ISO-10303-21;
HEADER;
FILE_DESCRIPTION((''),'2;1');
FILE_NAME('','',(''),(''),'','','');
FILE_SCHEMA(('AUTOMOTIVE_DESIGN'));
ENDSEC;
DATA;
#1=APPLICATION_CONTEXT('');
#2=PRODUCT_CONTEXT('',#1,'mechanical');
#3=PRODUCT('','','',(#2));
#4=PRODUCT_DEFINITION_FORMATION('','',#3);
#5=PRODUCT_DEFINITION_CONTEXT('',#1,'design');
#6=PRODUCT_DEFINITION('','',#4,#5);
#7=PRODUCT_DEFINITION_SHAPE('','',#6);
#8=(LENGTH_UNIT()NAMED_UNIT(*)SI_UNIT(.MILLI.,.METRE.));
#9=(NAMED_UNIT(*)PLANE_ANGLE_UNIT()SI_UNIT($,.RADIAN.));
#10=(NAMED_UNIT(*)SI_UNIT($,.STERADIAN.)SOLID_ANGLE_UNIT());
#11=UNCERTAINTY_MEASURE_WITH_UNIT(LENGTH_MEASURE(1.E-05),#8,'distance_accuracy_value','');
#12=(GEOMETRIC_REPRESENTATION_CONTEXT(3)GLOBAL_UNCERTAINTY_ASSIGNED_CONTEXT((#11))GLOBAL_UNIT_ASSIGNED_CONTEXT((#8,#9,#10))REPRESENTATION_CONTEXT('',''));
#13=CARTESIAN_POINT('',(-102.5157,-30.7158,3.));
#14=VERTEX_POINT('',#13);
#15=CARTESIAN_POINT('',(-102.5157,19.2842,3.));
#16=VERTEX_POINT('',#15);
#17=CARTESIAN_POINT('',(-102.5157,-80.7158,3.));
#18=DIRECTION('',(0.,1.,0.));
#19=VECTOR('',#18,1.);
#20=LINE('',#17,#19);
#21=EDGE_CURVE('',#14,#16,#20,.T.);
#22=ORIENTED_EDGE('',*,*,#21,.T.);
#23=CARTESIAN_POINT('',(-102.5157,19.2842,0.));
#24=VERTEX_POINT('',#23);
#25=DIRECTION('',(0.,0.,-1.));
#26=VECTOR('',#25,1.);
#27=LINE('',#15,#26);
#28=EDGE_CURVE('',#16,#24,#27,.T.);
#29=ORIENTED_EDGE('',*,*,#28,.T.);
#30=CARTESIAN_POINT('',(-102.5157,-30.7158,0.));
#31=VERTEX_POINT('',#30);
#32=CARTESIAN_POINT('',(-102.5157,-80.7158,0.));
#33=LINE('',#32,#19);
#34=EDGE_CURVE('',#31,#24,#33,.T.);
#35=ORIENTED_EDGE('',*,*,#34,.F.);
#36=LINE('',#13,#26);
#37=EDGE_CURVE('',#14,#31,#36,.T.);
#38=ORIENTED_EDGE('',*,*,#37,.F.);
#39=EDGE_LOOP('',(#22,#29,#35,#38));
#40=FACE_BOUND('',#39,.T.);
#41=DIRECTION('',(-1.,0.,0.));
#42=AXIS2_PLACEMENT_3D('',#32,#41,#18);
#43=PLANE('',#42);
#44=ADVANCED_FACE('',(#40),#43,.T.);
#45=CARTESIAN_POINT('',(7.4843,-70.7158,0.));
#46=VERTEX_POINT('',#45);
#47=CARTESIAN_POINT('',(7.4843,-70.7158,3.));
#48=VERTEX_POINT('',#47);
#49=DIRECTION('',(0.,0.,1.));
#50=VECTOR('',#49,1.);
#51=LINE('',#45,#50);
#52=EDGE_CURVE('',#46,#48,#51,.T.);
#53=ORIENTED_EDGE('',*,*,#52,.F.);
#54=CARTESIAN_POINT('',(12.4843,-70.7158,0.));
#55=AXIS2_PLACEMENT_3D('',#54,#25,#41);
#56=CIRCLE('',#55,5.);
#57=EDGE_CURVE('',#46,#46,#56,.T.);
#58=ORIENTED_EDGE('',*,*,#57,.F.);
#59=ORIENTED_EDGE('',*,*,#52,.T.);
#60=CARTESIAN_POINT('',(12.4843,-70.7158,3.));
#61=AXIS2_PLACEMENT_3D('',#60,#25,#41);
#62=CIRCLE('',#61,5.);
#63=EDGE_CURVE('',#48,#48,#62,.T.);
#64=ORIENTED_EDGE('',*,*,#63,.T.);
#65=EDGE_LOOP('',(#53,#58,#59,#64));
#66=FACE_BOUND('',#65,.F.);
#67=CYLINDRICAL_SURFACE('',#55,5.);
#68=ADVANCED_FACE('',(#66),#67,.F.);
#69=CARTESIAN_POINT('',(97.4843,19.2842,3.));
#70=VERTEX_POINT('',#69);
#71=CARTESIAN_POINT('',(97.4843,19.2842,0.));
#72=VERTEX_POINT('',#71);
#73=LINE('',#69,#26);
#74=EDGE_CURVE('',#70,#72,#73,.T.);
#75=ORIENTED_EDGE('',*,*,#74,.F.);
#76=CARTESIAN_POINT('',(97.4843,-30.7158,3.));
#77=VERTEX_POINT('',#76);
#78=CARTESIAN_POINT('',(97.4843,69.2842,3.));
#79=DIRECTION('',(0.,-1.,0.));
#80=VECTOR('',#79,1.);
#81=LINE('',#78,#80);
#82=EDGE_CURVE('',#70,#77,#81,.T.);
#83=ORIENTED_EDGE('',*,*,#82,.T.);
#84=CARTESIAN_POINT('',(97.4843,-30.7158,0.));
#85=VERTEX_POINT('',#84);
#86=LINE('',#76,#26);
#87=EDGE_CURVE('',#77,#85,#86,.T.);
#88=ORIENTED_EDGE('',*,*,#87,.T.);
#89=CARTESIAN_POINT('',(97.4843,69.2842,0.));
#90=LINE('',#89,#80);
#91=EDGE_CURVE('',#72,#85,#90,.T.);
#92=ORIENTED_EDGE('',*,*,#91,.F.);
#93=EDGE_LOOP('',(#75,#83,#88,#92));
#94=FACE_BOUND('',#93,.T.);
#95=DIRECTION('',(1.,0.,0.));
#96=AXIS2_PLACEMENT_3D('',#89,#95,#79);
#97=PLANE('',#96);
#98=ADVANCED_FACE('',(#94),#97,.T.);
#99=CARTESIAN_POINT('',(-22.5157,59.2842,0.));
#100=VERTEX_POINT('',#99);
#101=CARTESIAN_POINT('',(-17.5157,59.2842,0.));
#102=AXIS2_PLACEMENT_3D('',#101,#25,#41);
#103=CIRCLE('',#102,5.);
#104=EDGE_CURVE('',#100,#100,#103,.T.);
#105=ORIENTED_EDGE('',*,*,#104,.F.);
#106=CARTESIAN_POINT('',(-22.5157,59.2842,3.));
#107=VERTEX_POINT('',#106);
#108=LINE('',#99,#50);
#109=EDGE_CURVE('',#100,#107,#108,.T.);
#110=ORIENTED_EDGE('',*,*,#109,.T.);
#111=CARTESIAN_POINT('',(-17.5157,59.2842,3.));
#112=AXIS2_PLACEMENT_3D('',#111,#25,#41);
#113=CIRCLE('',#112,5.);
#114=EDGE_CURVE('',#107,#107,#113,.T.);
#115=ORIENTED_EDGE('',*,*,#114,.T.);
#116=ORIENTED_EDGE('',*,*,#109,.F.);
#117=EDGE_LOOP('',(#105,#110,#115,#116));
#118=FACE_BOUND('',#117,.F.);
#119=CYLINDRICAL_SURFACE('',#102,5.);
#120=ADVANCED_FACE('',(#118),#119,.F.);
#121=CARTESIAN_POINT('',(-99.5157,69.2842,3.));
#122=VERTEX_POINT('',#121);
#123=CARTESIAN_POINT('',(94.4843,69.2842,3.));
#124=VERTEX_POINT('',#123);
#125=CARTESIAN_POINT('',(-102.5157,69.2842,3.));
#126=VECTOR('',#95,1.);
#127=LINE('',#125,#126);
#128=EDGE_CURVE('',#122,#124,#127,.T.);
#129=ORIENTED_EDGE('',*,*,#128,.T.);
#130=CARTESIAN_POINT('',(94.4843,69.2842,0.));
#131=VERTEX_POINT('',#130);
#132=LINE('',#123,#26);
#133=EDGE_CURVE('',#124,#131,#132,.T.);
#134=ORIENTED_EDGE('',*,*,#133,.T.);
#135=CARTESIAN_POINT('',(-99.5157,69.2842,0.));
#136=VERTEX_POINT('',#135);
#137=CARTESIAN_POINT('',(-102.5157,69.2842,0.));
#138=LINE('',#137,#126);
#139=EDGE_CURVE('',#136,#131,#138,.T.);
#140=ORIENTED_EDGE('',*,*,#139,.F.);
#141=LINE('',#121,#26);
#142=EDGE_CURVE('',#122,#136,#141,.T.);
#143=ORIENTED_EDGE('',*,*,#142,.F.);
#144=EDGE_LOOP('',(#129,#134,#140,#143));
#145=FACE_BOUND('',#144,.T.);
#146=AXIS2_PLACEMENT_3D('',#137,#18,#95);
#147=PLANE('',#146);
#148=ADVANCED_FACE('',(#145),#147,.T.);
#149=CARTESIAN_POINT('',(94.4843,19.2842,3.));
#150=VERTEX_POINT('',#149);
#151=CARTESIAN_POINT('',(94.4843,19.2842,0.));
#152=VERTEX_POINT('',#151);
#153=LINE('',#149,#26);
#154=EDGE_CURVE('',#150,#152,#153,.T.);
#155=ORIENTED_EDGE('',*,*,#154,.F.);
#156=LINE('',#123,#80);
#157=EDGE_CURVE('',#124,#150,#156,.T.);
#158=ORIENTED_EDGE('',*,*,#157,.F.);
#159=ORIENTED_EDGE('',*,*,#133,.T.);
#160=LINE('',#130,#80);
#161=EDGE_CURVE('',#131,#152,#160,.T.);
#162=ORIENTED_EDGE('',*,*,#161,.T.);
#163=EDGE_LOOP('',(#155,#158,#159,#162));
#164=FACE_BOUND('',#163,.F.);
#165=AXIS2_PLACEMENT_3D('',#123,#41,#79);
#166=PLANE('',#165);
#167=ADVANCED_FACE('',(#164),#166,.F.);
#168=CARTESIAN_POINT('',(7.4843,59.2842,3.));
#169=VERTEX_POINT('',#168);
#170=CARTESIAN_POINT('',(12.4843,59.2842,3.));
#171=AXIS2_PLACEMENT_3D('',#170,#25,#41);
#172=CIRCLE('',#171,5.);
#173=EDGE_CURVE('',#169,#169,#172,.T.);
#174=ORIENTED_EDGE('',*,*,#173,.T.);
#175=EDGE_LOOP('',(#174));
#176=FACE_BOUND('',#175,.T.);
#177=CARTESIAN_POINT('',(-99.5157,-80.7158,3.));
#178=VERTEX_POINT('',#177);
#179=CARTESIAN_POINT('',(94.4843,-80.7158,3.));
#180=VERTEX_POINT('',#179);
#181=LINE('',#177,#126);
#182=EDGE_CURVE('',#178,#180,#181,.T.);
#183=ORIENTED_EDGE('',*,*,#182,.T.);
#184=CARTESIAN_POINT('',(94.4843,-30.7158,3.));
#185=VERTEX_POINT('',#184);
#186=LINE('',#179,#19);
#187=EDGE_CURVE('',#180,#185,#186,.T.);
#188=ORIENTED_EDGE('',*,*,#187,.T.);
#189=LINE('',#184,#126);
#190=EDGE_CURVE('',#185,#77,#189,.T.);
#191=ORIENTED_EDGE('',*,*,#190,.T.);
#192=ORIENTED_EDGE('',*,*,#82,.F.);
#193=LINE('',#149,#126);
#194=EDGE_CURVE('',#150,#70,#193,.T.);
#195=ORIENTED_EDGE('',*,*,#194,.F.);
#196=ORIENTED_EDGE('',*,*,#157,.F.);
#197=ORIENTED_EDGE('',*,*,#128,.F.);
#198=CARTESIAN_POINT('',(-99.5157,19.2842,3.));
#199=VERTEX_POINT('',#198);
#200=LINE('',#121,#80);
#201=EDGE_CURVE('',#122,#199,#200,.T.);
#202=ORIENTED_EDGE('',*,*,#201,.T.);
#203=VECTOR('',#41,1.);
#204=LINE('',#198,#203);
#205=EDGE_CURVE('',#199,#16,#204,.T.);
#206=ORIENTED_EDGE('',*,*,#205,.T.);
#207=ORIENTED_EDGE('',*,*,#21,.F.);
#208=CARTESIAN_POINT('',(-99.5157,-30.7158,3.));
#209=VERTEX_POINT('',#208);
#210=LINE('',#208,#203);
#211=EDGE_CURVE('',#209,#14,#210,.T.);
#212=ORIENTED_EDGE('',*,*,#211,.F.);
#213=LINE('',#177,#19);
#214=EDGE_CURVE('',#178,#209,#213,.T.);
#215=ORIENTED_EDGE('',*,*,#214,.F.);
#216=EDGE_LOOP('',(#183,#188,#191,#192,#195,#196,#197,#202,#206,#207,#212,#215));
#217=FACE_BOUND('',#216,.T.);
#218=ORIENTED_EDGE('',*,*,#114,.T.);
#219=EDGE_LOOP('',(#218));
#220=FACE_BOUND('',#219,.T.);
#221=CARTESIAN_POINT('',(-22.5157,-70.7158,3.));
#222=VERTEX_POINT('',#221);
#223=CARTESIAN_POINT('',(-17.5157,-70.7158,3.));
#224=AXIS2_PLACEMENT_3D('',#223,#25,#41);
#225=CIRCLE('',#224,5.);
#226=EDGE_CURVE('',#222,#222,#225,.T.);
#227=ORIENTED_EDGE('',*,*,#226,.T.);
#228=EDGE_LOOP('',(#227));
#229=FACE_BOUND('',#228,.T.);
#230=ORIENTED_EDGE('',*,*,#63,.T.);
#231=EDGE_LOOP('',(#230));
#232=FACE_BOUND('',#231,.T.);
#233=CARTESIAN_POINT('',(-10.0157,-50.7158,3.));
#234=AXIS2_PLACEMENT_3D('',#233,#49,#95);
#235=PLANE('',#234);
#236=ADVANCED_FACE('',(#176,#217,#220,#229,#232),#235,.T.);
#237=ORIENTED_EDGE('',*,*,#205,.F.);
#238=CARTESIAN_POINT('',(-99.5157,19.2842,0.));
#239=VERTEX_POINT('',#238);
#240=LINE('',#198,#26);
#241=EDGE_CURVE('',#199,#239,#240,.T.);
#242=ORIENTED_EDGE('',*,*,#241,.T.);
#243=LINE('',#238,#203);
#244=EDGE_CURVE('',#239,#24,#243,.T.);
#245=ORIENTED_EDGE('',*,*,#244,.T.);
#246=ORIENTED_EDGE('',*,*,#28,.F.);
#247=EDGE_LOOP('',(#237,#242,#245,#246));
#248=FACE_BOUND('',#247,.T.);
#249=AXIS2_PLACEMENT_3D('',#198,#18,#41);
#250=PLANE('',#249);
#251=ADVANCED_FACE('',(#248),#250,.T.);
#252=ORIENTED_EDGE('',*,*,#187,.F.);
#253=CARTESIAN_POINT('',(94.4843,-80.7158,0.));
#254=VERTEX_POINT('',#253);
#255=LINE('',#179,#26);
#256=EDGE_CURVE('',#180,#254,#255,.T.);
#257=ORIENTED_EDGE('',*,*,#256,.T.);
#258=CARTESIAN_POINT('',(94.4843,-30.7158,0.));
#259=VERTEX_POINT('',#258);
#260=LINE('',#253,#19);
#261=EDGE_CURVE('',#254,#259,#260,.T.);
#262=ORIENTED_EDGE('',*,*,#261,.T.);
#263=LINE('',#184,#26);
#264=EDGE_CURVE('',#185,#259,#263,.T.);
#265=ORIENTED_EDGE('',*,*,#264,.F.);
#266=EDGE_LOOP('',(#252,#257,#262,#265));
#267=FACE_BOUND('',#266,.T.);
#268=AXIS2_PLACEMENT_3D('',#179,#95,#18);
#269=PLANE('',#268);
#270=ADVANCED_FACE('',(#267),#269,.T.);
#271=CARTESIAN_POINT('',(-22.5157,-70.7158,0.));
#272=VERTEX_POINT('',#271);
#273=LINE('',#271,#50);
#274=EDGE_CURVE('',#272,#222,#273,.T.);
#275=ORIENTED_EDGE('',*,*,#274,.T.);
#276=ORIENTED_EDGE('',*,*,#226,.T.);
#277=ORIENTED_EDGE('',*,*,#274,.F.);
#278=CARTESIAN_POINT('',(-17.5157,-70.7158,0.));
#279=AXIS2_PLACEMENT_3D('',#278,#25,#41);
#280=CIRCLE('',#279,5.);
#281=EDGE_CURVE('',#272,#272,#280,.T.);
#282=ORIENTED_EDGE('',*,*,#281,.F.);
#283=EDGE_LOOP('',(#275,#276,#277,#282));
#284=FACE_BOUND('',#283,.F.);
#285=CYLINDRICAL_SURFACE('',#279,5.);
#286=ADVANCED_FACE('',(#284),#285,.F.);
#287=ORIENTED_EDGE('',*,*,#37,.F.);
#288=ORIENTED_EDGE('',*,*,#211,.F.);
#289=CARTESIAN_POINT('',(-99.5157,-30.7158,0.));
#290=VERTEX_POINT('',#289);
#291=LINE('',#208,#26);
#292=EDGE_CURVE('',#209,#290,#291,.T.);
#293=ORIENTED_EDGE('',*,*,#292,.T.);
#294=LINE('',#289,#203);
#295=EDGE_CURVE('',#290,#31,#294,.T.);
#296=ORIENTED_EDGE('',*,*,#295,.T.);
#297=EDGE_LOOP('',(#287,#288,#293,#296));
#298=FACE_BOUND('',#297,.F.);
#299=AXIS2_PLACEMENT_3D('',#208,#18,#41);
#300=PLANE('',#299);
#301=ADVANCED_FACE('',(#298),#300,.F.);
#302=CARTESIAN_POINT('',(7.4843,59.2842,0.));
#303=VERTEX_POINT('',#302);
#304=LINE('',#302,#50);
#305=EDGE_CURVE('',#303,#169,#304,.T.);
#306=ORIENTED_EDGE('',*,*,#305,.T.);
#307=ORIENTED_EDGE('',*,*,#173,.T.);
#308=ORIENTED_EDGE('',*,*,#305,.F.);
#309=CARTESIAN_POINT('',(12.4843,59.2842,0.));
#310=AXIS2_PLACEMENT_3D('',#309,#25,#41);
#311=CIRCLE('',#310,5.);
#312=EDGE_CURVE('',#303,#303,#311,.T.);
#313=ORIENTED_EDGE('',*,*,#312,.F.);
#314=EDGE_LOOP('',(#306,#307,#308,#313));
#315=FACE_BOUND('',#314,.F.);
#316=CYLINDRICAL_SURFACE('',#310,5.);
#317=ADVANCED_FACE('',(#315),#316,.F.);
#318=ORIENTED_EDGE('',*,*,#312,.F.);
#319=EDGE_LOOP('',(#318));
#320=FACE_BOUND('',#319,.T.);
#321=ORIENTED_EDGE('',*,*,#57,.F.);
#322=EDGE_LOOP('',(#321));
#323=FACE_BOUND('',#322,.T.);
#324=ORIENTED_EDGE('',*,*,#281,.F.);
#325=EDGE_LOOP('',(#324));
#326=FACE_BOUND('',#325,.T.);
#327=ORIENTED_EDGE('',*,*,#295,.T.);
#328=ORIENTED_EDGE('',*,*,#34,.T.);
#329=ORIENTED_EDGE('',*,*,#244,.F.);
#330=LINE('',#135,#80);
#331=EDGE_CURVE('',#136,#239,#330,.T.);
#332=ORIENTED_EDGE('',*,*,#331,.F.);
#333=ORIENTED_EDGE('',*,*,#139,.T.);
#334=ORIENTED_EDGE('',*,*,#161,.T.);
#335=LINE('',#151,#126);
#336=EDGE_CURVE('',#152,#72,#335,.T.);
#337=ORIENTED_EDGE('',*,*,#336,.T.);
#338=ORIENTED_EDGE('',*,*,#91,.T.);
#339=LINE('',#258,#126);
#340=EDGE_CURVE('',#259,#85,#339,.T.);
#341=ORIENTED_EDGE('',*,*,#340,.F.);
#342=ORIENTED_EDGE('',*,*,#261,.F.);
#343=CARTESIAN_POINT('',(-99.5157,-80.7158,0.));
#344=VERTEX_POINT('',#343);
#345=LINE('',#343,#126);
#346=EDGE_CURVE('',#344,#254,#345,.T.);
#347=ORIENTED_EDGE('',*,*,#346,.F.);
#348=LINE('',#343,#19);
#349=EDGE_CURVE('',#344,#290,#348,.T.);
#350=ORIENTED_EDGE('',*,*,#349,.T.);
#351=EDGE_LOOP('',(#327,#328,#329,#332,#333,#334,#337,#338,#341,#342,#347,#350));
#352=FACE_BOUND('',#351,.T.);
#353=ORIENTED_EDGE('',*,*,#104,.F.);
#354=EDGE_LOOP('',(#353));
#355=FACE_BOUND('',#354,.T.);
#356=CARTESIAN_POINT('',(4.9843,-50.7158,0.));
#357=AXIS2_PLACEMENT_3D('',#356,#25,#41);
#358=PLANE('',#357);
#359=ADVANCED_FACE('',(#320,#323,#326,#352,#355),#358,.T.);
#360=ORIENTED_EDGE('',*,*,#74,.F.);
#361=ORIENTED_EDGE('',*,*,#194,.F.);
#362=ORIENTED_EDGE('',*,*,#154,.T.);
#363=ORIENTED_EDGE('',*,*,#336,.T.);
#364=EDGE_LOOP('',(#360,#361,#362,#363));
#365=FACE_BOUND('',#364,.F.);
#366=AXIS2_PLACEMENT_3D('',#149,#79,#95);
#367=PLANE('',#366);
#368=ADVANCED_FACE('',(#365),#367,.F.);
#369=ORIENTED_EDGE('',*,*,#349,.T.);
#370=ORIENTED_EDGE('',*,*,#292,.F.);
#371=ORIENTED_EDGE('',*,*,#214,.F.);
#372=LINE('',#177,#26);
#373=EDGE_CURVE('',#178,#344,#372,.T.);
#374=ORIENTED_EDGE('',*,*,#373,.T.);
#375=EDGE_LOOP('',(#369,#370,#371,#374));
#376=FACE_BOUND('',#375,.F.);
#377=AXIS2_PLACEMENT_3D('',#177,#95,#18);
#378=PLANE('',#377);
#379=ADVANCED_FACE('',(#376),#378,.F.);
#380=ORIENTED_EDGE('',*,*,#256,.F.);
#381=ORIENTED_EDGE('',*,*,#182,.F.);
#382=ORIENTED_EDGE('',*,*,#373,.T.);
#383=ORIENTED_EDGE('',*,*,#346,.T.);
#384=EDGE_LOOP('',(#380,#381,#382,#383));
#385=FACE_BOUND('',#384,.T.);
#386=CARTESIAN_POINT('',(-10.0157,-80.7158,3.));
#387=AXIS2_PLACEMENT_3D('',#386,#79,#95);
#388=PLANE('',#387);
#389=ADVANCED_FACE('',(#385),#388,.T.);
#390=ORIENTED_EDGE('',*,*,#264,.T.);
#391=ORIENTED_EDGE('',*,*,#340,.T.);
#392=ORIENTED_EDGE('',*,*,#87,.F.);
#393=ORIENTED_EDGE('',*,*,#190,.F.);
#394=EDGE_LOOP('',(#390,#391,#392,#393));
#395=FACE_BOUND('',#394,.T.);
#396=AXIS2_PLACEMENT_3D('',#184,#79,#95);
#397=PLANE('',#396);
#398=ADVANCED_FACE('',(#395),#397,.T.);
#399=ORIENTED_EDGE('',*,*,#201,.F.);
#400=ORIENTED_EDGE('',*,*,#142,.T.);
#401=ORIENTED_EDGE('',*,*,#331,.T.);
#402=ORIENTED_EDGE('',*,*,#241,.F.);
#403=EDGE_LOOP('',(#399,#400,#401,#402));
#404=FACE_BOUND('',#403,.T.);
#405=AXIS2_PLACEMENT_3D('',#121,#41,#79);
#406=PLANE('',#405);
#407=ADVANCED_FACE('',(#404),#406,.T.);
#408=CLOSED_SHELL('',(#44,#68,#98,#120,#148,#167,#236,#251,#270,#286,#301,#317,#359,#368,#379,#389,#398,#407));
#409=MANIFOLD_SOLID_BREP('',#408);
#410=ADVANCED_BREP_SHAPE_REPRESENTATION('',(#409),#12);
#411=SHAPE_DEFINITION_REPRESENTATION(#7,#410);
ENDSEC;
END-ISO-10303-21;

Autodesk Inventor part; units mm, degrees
ref_plane "YZ Plane" through (0, 0, 0) normal (1, 0, 0) x (0, 1, 0)
ref_plane "XZ Plane" through (0, 0, 0) normal (0, 1, 0) x (-1, 0, 0)
ref_plane "XY Plane" through (0, 0, 0) normal (0, 0, 1) x (1, 0, 0)
sketch "Sketch1" plane through (0, 0, 0) normal (0, 0, 1) x (1, 0, 0)
  line L0 (-102.5157, 69.2842) -> (97.4843, 69.2842)
  line L1 (97.4843, 69.2842) -> (97.4843, -80.7158)
  line L2 (97.4843, -80.7158) -> (-102.5157, -80.7158)
  line L3 (-102.5157, -80.7158) -> (-102.5157, 69.2842)
  point P0 (0, 0)
extrude "Extrusion1" add sketch "Sketch1" along normal blind 3
sketch "Sketch3" plane through (0, 0, 3) normal (0, 0, 1) x (1, 0, 0)
  point P0 (0, 0)
sketch "Sketch4" plane through (0, 0, 3) normal (0, 0, 1) x (1, 0, 0)
  line L0 (97.4843, 69.2842) -> (-102.5157, 69.2842) projected
  line L1 (-102.5157, 69.2842) -> (-99.5157, 69.2842)
  line L2 (-99.5157, 69.2842) -> (-99.5157, 19.2842)
  line L3 (-99.5157, 19.2842) -> (-102.5157, 19.2842)
  line L4 (-102.5157, 19.2842) -> (-102.5157, 69.2842)
  point P0 (0, 0)
extrude "Extrusion2" cut sketch "Sketch4" against normal blind 3
sketch "Sketch5" plane through (0, 0, 3) normal (0, 0, 1) x (1, 0, 0)
  line L0 (97.4843, -80.7158) -> (94.4843, -80.7158)
  line L1 (94.4843, -80.7158) -> (94.4843, -30.7158)
  line L2 (94.4843, -30.7158) -> (97.4843, -30.7158)
  line L3 (97.4843, -30.7158) -> (97.4843, -80.7158)
  point P0 (0, 0)
  point P1 (-102.5157, -80.7158)
  dimension "d17" = 3
  dimension "d18" = 50
extrude "Extrusion3" cut sketch "Sketch5" against normal blind 3
sketch "Sketch6" plane through (0, 0, 3) normal (0, 0, 1) x (1, 0, 0)
  line L0 (97.4843, -30.7158) -> (97.4843, 69.2842) projected
  line L1 (97.4843, 69.2842) -> (94.4843, 69.2842)
  line L2 (94.4843, 69.2842) -> (94.4843, 19.2842)
  line L3 (94.4843, 19.2842) -> (97.4843, 19.2842)
  line L4 (97.4843, 19.2842) -> (97.4843, 69.2842)
  point P0 (0, 0)
  dimension "d21" = 50
  dimension "d22" = 3
extrude "Extrusion4" cut sketch "Sketch6" against normal blind 3
sketch "Sketch7" plane through (0, 0, 3) normal (0, 0, 1) x (1, 0, 0)
  line L0 (-102.5157, 19.2842) -> (-102.5157, -80.7158) projected
  line L1 (-102.5157, -80.7158) -> (-99.5157, -80.7158)
  line L2 (-99.5157, -80.7158) -> (-99.5157, -30.7158)
  line L3 (-99.5157, -30.7158) -> (-102.5157, -30.7158)
  line L4 (-102.5157, -30.7158) -> (-102.5157, -80.7158)
  point P0 (0, 0)
  dimension "d25" = 50
  dimension "d26" = 3
extrude "Extrusion5" cut sketch "Sketch7" against normal blind 3
sketch "Sketch8" plane through (0, 0, 3) normal (0, 0, 1) x (1, 0, 0)
  line L0 (-102.5157, -30.7158) -> (-102.5157, 19.2842) projected
  line L1 (97.4843, -30.7158) -> (94.4843, -30.7158) projected
  line L2 (94.4843, -80.7158) -> (-99.5157, -80.7158) projected
  line L3 (-10.0157, -50.7158) -> (4.9843, -50.7158)
  line L4 (4.9843, -50.7158) -> (4.9843, -80.7158)
  line L5 (4.9843, -80.7158) -> (-10.0157, -80.7158)
  line L6 (-10.0157, -80.7158) -> (-10.0157, -50.7158)
  point P0 (0, 0)
  dimension "d32" = 15
  dimension "d33" = 30
extrude "Extrusion6" cut sketch "Sketch8" against normal blind 3
sketch "Sketch9" plane through (-10.0157, -50.7158, 3) normal (0, -1, 0) x (1, 0, 0)
  line L0 (0, 0) -> (15, 0) projected
  line L1 (15, -3) -> (0, -3) projected
  line L2 (0, 0) -> (15, 0)
  line L3 (15, 0) -> (15, -3)
  line L4 (15, -3) -> (0, -3)
  line L5 (0, -3) -> (0, 0)
  point P0 (10.0157, -3)
extrude "Extrusion7" add sketch "Sketch9" along normal blind 30
sketch "Sketch10" plane through (0, 0, 0) normal (0, 0, -1) x (-1, 0, 0)
  line L0 (-94.4843, 69.2842) -> (99.5157, 69.2842) projected
  line L1 (99.5157, -80.7158) -> (-94.4843, -80.7158) projected
  line L2 (-97.4843, 19.2842) -> (-97.4843, -30.7158) projected
  line L3 (102.5157, 19.2842) -> (102.5157, -30.7158) projected
  line L4 (2.5157, 69.2842) -> (102.5157, 69.2842)
  circle A0 centre (-12.4843, 59.2842) radius 5
  circle A1 centre (17.5157, 59.2842) radius 5
  circle A2 centre (-12.4843, -70.7158) radius 5
  circle A3 centre (17.5157, -70.7158) radius 5
  point P0 (0, 0)
extrude "Extrusion8" cut sketch "Sketch10" against normal blind 24.75
properties part number "Level1"
